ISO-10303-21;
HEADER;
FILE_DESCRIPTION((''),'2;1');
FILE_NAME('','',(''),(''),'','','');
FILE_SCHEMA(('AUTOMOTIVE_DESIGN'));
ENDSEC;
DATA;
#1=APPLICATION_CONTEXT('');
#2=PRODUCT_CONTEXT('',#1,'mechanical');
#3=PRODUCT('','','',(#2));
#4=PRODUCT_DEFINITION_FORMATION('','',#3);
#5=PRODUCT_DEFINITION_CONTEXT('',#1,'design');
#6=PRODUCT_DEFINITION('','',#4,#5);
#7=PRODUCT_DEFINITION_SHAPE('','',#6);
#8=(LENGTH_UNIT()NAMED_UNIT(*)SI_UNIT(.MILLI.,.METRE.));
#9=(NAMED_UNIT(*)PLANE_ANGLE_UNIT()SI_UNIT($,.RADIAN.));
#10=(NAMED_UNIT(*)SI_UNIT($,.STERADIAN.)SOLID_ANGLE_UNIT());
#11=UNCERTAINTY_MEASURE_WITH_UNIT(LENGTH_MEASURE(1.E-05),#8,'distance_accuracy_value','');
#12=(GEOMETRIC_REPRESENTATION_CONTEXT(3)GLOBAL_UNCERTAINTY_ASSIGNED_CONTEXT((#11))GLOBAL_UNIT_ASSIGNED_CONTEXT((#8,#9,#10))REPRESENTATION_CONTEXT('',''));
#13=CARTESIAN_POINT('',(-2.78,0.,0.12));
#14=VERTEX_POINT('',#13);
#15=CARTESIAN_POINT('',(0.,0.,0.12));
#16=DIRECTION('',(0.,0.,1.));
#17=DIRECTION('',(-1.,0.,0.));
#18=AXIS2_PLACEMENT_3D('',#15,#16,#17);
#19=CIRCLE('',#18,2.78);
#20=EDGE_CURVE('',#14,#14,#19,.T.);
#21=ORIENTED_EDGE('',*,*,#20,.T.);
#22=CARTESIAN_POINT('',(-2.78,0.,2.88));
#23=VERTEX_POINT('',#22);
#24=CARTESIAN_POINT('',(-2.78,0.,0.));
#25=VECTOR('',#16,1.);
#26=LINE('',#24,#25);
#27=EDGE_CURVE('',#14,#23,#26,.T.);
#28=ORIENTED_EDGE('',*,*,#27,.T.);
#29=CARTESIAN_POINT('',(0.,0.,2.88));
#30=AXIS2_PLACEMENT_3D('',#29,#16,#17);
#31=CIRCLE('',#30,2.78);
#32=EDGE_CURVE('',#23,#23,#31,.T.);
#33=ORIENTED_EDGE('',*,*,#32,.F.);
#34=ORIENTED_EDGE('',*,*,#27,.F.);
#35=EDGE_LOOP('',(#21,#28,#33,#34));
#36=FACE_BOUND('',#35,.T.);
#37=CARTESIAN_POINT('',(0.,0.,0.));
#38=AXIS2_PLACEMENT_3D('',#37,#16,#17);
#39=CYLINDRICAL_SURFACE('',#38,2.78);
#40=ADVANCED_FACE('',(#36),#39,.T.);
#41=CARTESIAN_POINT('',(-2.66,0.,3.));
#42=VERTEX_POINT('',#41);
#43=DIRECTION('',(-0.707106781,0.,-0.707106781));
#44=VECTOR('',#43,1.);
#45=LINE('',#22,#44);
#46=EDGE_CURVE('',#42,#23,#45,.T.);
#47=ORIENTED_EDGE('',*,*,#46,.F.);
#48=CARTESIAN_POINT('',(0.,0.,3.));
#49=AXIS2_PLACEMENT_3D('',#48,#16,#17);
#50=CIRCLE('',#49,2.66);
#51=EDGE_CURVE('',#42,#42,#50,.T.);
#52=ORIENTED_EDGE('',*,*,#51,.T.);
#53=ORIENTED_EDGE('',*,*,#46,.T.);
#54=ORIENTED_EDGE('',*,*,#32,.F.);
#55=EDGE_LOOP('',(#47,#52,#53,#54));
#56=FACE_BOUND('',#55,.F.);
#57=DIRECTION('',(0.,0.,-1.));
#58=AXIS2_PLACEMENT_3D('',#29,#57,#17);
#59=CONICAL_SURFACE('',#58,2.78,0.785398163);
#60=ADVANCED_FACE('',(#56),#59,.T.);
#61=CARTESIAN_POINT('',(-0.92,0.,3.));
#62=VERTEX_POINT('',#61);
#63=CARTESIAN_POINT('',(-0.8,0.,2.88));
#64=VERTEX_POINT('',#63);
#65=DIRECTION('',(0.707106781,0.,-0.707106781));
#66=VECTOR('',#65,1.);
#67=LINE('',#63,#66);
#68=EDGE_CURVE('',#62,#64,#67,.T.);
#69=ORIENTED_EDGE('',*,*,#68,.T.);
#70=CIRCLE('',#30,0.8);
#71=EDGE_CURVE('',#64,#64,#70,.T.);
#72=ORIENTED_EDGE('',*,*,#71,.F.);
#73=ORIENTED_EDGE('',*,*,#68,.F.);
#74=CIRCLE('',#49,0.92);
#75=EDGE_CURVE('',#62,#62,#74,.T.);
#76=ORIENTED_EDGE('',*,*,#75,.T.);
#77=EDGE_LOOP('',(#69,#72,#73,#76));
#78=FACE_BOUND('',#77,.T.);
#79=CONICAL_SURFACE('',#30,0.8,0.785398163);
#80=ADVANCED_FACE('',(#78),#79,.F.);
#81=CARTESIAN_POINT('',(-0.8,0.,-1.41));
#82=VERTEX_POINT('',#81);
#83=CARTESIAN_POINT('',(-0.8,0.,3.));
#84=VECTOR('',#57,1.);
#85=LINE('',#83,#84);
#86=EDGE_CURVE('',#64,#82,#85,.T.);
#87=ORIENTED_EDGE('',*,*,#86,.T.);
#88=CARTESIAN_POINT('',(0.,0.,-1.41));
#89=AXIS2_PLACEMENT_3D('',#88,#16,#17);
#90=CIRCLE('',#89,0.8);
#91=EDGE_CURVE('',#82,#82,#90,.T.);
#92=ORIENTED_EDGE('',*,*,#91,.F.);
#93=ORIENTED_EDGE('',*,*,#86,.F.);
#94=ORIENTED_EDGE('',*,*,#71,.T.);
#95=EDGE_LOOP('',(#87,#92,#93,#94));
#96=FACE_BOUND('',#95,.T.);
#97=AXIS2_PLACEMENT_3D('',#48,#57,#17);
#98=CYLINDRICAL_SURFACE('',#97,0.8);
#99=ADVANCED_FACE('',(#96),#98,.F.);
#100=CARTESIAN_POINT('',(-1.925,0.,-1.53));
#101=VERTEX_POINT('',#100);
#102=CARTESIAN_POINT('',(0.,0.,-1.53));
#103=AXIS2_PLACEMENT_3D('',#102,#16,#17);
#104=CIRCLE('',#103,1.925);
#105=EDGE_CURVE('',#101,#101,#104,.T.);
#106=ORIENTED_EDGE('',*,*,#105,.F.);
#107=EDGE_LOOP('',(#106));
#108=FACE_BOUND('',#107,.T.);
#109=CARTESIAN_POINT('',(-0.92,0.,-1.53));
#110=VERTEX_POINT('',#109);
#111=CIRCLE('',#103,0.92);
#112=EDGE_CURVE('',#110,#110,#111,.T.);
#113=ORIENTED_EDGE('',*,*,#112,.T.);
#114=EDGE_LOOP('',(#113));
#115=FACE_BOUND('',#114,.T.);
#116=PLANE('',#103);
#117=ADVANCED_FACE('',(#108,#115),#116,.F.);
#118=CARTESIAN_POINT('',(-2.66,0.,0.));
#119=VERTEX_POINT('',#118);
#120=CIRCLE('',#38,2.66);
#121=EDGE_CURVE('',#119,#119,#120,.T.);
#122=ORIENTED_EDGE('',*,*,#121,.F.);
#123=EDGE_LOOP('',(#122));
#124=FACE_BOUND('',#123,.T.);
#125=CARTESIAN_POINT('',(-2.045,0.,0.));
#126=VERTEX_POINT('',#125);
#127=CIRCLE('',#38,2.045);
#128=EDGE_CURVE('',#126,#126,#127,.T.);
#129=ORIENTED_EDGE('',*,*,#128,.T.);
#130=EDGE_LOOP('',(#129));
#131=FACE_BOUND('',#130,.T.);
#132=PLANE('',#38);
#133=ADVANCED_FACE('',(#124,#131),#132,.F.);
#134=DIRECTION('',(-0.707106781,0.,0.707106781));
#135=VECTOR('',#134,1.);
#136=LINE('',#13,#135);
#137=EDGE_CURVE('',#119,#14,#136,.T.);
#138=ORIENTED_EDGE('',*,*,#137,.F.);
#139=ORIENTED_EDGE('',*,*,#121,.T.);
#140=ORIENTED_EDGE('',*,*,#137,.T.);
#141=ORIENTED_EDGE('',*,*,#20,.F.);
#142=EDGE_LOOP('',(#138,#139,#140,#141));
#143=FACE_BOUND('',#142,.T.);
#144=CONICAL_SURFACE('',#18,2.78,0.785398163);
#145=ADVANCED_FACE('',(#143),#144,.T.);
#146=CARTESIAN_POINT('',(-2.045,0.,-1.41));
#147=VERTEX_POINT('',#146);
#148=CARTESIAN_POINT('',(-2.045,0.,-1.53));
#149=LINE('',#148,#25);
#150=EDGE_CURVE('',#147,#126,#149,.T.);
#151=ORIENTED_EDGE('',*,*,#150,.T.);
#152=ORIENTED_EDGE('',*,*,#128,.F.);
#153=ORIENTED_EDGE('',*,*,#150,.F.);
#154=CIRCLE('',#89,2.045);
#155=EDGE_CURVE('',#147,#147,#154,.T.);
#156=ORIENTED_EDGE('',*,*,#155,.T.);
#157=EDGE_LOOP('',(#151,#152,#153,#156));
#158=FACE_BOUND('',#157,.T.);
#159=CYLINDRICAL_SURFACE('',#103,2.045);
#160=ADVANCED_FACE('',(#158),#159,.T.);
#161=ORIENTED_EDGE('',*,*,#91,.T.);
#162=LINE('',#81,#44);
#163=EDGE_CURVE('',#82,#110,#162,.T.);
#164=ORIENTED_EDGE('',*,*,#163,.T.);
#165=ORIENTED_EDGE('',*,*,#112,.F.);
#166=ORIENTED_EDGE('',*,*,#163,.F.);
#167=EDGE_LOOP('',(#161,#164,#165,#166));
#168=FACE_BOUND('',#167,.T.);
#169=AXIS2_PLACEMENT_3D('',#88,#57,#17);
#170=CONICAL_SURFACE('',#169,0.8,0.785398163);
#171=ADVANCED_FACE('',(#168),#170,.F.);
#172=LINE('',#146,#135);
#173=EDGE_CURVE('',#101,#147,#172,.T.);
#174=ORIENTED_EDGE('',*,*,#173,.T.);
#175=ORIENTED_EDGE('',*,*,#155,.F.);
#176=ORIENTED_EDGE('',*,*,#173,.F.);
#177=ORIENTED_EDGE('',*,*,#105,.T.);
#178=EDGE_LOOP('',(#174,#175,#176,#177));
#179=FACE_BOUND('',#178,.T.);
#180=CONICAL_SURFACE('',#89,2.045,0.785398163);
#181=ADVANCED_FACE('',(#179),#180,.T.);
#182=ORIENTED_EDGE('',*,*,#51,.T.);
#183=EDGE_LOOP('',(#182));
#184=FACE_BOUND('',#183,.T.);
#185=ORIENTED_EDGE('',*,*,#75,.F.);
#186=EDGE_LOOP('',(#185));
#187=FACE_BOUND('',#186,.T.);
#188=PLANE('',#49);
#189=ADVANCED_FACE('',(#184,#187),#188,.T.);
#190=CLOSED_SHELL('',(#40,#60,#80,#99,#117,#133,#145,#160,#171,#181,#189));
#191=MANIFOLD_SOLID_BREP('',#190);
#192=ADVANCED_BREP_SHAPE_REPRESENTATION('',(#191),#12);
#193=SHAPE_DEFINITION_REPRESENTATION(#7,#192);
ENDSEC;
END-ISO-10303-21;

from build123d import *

# Parameters (mm, degrees)
CHAMFER_SIZE = 0.12


with BuildPart() as part:
    # Sketch → Revolution (revolve)
    with BuildSketch(Plane.XZ):
        Polygon((-2.78, 3), (-0.8, 3), (-0.8, -1.53), (-2.045, -1.53), (-2.045, 0), (-2.78, 0), align=None)
    revolve(axis=Axis((0, 0, 0), (0, 0, 1)))

    # Chamfer
    chamfer_edges = [part.edges().sort_by_distance(p)[0] for p in [
        (2.78, 0, 3),
        (0.8, 0, 3),
        (2.78, 0, 0),
        (2.045, 0, -1.53),
        (0.8, 0, -1.53),
    ]]
    chamfer(chamfer_edges, length=CHAMFER_SIZE)


solid = part.part
